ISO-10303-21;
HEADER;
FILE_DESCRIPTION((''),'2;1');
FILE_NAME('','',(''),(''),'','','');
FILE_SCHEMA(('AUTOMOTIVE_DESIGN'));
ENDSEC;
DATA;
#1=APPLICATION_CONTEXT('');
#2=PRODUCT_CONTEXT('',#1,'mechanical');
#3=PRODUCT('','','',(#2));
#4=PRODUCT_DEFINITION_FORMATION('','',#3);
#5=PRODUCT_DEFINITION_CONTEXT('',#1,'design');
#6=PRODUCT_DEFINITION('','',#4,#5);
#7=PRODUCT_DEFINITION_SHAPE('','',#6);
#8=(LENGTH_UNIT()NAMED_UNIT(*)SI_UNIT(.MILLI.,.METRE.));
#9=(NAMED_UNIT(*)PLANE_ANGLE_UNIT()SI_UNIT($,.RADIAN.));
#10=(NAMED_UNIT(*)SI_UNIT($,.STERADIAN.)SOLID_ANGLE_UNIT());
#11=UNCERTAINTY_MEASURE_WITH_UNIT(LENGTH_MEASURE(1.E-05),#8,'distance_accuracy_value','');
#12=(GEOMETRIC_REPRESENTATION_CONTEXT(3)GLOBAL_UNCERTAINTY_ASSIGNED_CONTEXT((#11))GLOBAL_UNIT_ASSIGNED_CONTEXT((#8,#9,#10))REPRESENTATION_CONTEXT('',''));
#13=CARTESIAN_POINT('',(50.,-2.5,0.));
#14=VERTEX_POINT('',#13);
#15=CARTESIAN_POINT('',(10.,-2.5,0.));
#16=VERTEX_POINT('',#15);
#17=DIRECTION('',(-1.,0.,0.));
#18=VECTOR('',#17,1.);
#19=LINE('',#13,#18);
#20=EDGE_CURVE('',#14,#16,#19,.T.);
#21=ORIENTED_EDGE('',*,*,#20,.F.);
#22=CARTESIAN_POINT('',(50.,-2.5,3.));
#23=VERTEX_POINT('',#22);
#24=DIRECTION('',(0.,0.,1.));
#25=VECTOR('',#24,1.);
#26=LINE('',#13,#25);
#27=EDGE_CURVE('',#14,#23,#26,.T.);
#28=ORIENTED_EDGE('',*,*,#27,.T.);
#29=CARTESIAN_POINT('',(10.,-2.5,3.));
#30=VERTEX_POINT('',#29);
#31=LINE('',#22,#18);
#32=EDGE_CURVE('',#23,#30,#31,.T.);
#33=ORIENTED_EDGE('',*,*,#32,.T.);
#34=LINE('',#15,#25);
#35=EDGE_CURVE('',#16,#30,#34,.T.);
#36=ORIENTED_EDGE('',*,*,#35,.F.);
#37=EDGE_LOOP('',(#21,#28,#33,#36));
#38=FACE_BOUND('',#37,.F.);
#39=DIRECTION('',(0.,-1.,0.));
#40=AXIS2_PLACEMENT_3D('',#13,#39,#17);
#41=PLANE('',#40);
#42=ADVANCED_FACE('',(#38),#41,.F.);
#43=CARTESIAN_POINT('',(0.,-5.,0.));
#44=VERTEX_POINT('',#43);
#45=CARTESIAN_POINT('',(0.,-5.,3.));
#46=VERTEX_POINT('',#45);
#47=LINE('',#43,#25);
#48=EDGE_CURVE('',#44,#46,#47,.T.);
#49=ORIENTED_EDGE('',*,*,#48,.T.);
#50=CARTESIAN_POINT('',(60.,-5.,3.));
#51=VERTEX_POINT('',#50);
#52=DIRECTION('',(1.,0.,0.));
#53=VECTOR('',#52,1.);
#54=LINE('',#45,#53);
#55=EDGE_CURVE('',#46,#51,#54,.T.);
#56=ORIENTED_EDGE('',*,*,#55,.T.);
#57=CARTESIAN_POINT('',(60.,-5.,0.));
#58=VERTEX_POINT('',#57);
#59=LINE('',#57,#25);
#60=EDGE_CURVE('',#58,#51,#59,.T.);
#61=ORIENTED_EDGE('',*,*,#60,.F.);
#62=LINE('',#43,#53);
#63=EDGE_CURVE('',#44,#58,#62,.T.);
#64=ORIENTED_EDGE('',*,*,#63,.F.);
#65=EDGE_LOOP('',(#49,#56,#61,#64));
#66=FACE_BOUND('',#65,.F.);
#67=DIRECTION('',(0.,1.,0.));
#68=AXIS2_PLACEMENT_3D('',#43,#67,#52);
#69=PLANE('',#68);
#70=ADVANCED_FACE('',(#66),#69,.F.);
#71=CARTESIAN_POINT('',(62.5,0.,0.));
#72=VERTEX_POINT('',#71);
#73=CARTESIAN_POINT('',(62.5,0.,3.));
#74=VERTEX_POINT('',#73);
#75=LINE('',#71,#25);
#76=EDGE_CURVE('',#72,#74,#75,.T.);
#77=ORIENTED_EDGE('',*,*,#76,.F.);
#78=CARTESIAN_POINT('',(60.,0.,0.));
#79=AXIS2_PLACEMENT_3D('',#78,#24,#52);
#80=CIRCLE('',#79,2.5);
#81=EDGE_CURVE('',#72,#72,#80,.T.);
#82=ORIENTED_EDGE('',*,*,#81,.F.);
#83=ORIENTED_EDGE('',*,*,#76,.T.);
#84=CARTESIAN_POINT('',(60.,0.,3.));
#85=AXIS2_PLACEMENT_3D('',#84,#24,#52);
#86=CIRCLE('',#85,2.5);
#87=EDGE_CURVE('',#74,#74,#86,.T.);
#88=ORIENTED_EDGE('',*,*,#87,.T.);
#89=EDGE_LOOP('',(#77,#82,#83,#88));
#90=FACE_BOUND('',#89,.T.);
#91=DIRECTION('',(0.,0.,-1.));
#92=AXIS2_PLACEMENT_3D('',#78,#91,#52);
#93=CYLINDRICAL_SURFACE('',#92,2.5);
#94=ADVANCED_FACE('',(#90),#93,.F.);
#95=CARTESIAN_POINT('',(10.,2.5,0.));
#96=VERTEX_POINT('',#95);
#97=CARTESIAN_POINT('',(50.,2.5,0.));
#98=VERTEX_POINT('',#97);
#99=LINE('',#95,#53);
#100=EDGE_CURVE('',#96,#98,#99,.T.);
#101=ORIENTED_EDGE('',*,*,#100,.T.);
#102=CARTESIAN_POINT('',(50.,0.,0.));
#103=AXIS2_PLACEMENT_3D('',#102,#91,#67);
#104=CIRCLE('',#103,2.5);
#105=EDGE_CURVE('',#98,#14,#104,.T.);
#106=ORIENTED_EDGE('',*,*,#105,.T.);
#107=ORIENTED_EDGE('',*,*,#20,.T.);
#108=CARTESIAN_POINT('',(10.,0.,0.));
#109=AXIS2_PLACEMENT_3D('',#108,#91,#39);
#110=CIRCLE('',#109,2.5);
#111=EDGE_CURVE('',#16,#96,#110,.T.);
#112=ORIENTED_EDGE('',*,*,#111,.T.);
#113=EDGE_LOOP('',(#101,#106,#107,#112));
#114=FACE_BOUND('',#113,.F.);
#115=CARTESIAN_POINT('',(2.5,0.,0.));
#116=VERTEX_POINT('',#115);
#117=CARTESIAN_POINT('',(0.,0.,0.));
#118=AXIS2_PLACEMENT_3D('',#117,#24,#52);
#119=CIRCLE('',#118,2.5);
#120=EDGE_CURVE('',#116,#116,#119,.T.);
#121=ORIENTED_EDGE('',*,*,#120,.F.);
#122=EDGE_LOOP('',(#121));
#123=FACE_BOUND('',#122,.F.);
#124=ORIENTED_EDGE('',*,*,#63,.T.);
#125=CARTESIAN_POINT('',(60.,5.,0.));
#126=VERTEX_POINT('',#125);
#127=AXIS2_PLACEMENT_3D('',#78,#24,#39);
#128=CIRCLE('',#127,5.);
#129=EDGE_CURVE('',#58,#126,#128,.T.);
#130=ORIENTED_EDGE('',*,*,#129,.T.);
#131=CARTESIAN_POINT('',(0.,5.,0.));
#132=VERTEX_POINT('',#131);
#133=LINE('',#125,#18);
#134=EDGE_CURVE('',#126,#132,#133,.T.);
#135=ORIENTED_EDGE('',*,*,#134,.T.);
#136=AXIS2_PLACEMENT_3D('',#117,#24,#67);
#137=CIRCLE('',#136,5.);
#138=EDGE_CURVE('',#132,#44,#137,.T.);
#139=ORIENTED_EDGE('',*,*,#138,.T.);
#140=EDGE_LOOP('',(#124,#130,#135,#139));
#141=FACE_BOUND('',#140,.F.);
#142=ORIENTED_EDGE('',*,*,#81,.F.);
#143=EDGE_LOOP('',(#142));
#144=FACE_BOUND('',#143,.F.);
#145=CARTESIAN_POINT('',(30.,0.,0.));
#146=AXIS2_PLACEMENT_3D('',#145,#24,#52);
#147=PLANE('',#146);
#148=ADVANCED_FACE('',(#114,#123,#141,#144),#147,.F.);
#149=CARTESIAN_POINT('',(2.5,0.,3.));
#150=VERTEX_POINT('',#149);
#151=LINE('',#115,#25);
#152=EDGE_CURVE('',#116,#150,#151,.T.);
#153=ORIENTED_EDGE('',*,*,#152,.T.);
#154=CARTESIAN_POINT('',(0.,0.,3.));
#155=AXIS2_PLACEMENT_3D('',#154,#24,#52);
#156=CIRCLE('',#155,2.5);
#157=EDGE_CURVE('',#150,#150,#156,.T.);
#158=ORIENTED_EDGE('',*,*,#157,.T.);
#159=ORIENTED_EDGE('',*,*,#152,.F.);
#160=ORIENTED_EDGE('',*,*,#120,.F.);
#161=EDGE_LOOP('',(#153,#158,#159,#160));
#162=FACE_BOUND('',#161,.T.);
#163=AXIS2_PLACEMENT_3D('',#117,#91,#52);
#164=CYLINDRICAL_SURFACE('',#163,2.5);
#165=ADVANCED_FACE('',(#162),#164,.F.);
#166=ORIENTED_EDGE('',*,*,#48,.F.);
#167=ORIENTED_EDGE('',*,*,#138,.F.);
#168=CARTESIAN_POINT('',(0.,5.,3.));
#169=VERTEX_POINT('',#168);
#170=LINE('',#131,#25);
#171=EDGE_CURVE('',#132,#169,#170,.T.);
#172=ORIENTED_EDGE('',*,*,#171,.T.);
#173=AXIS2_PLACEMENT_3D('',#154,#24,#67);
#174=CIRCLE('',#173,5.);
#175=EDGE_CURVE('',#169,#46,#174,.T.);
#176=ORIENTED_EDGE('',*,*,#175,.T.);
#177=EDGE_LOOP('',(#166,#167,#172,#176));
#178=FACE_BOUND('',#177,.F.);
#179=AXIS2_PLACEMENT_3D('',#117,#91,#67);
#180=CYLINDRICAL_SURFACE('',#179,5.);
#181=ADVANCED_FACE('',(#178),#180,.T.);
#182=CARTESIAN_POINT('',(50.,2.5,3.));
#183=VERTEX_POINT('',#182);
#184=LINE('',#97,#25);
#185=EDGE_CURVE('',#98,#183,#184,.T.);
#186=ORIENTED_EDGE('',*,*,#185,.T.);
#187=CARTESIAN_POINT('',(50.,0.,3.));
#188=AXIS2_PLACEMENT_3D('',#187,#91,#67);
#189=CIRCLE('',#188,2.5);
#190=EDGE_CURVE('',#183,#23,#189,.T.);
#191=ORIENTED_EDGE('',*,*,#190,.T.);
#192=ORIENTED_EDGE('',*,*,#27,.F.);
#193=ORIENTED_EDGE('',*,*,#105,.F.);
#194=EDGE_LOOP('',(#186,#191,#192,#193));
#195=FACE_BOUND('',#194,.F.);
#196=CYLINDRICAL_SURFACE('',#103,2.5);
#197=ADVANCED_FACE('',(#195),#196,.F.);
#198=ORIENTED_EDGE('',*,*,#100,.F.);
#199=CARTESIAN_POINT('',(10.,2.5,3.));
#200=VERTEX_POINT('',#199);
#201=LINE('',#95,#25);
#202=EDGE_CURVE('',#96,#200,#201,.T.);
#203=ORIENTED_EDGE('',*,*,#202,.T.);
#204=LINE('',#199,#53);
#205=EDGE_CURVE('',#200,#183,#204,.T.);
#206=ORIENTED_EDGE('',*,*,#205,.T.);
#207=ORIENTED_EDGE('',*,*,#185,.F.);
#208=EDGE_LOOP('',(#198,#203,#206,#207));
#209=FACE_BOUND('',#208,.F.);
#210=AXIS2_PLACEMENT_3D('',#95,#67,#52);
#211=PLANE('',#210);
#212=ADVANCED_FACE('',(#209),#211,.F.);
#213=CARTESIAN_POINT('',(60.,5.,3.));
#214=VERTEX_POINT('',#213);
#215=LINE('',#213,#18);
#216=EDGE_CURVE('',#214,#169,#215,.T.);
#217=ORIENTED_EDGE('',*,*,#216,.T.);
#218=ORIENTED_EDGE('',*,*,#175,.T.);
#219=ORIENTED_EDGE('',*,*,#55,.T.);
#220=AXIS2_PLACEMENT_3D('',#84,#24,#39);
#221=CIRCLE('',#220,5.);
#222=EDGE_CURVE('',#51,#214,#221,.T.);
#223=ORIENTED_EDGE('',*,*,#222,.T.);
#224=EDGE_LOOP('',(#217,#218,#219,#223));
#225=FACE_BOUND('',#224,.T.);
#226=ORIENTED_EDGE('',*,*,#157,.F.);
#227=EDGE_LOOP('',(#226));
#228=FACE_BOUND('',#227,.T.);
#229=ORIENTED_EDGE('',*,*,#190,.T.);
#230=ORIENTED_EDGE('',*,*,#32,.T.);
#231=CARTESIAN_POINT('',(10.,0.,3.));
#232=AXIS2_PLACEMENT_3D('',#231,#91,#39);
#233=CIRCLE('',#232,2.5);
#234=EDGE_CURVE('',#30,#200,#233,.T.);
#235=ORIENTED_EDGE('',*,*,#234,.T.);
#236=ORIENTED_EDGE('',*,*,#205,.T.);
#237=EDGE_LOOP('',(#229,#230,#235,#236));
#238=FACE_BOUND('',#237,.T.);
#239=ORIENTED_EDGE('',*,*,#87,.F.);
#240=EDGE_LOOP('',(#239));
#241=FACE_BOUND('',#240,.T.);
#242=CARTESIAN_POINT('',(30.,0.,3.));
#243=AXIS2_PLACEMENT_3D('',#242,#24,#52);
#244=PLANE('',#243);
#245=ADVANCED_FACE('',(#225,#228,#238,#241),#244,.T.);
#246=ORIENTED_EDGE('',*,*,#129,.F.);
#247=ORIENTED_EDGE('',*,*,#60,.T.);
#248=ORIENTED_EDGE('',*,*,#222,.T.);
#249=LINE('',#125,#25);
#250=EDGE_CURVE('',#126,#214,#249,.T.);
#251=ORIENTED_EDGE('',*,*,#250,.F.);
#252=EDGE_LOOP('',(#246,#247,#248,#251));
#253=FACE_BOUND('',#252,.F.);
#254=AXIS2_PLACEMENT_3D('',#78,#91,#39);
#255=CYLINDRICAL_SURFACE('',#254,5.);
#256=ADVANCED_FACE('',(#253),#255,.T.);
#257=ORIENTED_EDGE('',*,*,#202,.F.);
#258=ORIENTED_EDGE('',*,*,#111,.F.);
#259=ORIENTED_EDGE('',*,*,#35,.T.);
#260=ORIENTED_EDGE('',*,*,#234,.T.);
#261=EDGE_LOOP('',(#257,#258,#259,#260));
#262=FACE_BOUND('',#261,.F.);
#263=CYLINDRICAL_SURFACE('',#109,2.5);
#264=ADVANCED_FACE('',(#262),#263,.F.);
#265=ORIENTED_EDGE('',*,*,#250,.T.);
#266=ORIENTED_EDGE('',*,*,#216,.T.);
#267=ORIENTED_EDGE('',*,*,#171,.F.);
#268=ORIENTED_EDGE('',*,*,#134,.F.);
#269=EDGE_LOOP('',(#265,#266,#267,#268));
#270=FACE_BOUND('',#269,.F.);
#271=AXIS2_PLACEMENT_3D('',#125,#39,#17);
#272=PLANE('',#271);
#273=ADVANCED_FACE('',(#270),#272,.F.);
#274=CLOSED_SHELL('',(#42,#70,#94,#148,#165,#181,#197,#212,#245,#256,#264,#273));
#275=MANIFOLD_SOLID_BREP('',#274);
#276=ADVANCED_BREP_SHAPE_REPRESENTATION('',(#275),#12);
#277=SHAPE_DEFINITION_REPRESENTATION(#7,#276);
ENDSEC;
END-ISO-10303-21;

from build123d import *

# Parameters (mm, degrees)
F0_R     = 2.5
F1_DEPTH = 3


with BuildPart() as f1:
    # F0 (on Top) → F1 (new body)
    with BuildSketch(Plane.XY):
        with BuildLine():
            Line((60, 5), (0, 5))
            ThreePointArc((0, 5), (-5, 0), (0, -5))
            Line((0, -5), (60, -5))
            ThreePointArc((60, -5), (65, 0), (60, 5))
        make_face()
        Circle(F0_R, mode=Mode.SUBTRACT)
        with BuildLine():
            ThreePointArc((10, -2.5), (7.5, 0), (10, 2.5))
            Line((10, 2.5), (50, 2.5))
            ThreePointArc((50, 2.5), (52.5, 0), (50, -2.5))
            Line((50, -2.5), (10, -2.5))
        make_face(mode=Mode.SUBTRACT)
        with Locations((60, 0)):
            Circle(F0_R, mode=Mode.SUBTRACT)
    extrude(amount=F1_DEPTH)


solid = f1.part
